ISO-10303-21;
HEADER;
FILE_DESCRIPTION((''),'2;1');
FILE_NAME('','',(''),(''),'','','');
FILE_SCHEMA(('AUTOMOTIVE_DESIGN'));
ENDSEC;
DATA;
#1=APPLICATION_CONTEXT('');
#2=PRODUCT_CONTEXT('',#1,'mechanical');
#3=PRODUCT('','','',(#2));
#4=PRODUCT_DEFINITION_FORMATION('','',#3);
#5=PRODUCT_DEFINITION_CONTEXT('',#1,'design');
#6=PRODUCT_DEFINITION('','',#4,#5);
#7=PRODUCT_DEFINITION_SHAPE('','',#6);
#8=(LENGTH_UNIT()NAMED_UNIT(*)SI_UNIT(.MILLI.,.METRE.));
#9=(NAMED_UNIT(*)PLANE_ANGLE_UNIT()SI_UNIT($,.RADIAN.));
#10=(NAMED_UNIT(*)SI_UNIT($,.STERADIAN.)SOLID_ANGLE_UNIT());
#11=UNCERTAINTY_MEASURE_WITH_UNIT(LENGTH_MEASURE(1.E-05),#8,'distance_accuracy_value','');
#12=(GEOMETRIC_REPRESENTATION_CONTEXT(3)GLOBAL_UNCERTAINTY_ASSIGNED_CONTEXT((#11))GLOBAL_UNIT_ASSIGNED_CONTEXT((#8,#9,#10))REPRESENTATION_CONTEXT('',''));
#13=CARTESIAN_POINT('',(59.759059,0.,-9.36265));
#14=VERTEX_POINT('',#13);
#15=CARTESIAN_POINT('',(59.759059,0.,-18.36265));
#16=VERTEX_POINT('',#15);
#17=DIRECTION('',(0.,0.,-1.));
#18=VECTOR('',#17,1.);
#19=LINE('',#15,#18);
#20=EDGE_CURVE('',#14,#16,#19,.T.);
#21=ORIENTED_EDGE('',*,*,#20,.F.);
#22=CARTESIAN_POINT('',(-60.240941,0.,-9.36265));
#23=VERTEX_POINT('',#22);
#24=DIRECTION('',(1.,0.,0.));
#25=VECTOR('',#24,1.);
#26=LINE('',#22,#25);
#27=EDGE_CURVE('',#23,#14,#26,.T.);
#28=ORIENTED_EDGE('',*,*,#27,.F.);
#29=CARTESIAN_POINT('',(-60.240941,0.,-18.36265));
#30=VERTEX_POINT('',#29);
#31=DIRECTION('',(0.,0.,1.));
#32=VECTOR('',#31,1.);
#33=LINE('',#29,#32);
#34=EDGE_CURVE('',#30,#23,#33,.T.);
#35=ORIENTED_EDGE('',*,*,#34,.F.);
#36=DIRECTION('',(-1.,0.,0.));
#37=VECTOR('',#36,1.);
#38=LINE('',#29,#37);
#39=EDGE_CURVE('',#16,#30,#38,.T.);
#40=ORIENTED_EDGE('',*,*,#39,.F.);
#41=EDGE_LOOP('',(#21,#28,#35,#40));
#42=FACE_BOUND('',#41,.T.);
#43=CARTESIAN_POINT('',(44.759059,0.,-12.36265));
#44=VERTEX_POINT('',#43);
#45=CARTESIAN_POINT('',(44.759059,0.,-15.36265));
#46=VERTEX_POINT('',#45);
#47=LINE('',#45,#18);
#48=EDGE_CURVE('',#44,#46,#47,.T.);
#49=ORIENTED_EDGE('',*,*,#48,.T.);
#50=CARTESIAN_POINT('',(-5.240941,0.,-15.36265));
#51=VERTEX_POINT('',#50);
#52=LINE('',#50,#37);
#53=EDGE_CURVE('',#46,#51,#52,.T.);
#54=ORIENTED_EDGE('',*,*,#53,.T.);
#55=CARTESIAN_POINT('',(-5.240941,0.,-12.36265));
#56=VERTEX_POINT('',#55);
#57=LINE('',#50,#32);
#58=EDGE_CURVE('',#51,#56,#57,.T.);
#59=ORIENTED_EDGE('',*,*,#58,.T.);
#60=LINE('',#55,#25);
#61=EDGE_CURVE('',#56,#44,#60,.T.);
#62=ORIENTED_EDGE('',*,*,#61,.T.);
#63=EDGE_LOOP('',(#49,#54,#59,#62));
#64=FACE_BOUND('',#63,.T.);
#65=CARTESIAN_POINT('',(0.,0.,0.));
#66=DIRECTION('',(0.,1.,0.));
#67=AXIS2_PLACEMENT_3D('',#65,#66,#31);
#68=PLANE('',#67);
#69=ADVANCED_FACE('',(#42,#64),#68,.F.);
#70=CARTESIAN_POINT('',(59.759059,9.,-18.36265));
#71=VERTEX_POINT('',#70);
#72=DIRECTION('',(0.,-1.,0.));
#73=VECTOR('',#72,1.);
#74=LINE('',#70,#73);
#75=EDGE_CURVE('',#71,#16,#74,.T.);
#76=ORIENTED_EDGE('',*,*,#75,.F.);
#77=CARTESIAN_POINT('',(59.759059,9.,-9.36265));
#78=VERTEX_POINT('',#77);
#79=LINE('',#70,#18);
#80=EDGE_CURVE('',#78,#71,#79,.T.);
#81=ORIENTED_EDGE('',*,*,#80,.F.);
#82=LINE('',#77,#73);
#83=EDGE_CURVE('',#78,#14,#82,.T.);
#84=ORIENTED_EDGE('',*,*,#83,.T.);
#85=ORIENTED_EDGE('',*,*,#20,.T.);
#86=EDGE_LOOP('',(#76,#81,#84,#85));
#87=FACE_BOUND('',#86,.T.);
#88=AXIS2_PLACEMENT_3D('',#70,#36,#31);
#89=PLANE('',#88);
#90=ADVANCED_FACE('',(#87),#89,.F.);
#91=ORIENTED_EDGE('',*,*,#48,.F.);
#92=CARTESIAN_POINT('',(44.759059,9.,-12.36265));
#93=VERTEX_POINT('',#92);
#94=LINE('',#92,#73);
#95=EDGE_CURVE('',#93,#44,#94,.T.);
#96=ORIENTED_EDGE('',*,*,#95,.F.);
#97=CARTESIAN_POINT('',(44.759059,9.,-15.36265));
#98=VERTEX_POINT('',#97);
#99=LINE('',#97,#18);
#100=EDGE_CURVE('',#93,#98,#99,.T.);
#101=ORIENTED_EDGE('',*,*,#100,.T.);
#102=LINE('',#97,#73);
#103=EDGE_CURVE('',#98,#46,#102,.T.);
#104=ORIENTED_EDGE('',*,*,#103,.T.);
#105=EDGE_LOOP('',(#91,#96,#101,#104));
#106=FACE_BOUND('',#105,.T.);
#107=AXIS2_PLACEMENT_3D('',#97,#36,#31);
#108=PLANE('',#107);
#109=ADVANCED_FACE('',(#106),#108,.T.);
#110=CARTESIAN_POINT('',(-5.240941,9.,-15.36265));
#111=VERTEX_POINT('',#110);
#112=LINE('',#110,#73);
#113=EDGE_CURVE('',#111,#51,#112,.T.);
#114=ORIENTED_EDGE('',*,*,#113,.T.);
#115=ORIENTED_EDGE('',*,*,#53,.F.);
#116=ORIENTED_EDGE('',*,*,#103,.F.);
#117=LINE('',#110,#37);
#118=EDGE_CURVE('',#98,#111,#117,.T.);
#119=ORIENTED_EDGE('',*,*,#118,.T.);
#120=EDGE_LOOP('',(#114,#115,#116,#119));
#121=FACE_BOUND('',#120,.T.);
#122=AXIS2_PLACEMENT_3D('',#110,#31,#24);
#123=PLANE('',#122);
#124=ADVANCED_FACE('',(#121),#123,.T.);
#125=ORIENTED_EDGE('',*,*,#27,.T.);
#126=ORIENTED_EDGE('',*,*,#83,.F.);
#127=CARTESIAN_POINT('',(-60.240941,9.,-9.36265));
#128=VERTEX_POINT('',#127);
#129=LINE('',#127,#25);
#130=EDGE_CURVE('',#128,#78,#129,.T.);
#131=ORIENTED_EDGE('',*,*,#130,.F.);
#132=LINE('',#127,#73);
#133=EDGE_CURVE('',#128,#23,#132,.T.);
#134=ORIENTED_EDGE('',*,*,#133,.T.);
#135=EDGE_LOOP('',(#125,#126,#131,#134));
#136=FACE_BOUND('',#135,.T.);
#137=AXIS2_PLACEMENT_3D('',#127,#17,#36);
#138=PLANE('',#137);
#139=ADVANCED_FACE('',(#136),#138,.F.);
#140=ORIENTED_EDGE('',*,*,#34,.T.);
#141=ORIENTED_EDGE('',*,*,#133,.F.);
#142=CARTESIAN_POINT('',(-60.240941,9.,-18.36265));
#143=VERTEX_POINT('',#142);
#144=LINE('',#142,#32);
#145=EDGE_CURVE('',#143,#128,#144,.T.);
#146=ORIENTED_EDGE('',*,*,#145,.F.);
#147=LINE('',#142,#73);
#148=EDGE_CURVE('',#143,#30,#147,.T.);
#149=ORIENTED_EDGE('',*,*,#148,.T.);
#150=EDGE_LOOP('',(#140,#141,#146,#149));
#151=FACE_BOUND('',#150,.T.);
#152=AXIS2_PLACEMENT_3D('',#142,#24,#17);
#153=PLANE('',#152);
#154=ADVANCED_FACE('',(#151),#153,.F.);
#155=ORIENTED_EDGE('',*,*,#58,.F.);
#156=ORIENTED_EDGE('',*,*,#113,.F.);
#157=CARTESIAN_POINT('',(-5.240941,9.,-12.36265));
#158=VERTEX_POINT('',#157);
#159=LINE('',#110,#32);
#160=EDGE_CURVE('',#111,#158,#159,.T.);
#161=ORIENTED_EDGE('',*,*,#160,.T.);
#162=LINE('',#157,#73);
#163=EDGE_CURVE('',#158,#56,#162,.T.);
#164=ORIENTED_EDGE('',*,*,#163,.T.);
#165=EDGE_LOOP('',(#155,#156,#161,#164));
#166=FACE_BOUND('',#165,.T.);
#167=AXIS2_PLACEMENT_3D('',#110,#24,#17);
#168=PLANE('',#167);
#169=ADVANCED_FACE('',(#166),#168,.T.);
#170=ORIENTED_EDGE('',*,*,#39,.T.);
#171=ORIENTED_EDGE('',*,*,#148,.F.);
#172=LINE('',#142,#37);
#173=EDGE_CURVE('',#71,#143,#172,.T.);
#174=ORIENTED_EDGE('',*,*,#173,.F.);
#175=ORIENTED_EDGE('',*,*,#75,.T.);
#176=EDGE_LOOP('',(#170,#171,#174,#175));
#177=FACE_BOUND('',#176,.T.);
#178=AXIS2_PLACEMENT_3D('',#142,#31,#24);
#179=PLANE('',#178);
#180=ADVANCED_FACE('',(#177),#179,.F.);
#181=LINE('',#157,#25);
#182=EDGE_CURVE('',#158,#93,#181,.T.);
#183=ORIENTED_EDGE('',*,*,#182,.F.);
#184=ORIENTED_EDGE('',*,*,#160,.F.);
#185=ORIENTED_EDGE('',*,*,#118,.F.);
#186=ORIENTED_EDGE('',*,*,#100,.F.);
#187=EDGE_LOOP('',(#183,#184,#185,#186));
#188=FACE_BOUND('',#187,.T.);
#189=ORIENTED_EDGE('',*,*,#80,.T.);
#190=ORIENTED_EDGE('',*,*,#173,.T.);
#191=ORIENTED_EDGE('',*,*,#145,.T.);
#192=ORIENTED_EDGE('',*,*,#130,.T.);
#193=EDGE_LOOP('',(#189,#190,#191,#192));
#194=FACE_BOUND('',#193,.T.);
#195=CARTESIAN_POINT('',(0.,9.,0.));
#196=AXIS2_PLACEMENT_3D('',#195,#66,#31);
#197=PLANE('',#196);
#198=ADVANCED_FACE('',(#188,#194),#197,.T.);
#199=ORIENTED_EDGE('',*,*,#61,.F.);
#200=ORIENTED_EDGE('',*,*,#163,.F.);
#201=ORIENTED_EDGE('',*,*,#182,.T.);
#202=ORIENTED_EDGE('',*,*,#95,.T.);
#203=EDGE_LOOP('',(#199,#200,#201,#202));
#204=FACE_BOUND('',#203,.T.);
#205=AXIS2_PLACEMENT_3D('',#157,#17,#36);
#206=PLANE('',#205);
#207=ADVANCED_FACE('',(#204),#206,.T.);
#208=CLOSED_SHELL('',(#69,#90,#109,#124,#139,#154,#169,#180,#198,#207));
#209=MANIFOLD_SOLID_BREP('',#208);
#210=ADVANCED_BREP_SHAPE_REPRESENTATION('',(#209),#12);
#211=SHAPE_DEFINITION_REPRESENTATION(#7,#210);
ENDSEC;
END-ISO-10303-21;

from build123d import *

# Parameters (mm, degrees)
SKETCH_1_W      = 120
SKETCH_1_H      = 9
SKETCH_1_W_2    = 50
SKETCH_1_H_2    = 3
EXTRUDE_1_DEPTH = 9


with BuildPart() as part:
    # 草图1 → 凸台-拉伸1 (new body)
    with BuildSketch(Plane(origin=(0, 0, 0), x_dir=(1, 0, 0), z_dir=(0, 1, 0))):
        with Locations((-0.240940886, 13.862649583)):
            Rectangle(SKETCH_1_W, SKETCH_1_H)
        with Locations((19.759059114, 13.862649583)):
            Rectangle(SKETCH_1_W_2, SKETCH_1_H_2, mode=Mode.SUBTRACT)
    extrude(amount=EXTRUDE_1_DEPTH)


solid = part.part
